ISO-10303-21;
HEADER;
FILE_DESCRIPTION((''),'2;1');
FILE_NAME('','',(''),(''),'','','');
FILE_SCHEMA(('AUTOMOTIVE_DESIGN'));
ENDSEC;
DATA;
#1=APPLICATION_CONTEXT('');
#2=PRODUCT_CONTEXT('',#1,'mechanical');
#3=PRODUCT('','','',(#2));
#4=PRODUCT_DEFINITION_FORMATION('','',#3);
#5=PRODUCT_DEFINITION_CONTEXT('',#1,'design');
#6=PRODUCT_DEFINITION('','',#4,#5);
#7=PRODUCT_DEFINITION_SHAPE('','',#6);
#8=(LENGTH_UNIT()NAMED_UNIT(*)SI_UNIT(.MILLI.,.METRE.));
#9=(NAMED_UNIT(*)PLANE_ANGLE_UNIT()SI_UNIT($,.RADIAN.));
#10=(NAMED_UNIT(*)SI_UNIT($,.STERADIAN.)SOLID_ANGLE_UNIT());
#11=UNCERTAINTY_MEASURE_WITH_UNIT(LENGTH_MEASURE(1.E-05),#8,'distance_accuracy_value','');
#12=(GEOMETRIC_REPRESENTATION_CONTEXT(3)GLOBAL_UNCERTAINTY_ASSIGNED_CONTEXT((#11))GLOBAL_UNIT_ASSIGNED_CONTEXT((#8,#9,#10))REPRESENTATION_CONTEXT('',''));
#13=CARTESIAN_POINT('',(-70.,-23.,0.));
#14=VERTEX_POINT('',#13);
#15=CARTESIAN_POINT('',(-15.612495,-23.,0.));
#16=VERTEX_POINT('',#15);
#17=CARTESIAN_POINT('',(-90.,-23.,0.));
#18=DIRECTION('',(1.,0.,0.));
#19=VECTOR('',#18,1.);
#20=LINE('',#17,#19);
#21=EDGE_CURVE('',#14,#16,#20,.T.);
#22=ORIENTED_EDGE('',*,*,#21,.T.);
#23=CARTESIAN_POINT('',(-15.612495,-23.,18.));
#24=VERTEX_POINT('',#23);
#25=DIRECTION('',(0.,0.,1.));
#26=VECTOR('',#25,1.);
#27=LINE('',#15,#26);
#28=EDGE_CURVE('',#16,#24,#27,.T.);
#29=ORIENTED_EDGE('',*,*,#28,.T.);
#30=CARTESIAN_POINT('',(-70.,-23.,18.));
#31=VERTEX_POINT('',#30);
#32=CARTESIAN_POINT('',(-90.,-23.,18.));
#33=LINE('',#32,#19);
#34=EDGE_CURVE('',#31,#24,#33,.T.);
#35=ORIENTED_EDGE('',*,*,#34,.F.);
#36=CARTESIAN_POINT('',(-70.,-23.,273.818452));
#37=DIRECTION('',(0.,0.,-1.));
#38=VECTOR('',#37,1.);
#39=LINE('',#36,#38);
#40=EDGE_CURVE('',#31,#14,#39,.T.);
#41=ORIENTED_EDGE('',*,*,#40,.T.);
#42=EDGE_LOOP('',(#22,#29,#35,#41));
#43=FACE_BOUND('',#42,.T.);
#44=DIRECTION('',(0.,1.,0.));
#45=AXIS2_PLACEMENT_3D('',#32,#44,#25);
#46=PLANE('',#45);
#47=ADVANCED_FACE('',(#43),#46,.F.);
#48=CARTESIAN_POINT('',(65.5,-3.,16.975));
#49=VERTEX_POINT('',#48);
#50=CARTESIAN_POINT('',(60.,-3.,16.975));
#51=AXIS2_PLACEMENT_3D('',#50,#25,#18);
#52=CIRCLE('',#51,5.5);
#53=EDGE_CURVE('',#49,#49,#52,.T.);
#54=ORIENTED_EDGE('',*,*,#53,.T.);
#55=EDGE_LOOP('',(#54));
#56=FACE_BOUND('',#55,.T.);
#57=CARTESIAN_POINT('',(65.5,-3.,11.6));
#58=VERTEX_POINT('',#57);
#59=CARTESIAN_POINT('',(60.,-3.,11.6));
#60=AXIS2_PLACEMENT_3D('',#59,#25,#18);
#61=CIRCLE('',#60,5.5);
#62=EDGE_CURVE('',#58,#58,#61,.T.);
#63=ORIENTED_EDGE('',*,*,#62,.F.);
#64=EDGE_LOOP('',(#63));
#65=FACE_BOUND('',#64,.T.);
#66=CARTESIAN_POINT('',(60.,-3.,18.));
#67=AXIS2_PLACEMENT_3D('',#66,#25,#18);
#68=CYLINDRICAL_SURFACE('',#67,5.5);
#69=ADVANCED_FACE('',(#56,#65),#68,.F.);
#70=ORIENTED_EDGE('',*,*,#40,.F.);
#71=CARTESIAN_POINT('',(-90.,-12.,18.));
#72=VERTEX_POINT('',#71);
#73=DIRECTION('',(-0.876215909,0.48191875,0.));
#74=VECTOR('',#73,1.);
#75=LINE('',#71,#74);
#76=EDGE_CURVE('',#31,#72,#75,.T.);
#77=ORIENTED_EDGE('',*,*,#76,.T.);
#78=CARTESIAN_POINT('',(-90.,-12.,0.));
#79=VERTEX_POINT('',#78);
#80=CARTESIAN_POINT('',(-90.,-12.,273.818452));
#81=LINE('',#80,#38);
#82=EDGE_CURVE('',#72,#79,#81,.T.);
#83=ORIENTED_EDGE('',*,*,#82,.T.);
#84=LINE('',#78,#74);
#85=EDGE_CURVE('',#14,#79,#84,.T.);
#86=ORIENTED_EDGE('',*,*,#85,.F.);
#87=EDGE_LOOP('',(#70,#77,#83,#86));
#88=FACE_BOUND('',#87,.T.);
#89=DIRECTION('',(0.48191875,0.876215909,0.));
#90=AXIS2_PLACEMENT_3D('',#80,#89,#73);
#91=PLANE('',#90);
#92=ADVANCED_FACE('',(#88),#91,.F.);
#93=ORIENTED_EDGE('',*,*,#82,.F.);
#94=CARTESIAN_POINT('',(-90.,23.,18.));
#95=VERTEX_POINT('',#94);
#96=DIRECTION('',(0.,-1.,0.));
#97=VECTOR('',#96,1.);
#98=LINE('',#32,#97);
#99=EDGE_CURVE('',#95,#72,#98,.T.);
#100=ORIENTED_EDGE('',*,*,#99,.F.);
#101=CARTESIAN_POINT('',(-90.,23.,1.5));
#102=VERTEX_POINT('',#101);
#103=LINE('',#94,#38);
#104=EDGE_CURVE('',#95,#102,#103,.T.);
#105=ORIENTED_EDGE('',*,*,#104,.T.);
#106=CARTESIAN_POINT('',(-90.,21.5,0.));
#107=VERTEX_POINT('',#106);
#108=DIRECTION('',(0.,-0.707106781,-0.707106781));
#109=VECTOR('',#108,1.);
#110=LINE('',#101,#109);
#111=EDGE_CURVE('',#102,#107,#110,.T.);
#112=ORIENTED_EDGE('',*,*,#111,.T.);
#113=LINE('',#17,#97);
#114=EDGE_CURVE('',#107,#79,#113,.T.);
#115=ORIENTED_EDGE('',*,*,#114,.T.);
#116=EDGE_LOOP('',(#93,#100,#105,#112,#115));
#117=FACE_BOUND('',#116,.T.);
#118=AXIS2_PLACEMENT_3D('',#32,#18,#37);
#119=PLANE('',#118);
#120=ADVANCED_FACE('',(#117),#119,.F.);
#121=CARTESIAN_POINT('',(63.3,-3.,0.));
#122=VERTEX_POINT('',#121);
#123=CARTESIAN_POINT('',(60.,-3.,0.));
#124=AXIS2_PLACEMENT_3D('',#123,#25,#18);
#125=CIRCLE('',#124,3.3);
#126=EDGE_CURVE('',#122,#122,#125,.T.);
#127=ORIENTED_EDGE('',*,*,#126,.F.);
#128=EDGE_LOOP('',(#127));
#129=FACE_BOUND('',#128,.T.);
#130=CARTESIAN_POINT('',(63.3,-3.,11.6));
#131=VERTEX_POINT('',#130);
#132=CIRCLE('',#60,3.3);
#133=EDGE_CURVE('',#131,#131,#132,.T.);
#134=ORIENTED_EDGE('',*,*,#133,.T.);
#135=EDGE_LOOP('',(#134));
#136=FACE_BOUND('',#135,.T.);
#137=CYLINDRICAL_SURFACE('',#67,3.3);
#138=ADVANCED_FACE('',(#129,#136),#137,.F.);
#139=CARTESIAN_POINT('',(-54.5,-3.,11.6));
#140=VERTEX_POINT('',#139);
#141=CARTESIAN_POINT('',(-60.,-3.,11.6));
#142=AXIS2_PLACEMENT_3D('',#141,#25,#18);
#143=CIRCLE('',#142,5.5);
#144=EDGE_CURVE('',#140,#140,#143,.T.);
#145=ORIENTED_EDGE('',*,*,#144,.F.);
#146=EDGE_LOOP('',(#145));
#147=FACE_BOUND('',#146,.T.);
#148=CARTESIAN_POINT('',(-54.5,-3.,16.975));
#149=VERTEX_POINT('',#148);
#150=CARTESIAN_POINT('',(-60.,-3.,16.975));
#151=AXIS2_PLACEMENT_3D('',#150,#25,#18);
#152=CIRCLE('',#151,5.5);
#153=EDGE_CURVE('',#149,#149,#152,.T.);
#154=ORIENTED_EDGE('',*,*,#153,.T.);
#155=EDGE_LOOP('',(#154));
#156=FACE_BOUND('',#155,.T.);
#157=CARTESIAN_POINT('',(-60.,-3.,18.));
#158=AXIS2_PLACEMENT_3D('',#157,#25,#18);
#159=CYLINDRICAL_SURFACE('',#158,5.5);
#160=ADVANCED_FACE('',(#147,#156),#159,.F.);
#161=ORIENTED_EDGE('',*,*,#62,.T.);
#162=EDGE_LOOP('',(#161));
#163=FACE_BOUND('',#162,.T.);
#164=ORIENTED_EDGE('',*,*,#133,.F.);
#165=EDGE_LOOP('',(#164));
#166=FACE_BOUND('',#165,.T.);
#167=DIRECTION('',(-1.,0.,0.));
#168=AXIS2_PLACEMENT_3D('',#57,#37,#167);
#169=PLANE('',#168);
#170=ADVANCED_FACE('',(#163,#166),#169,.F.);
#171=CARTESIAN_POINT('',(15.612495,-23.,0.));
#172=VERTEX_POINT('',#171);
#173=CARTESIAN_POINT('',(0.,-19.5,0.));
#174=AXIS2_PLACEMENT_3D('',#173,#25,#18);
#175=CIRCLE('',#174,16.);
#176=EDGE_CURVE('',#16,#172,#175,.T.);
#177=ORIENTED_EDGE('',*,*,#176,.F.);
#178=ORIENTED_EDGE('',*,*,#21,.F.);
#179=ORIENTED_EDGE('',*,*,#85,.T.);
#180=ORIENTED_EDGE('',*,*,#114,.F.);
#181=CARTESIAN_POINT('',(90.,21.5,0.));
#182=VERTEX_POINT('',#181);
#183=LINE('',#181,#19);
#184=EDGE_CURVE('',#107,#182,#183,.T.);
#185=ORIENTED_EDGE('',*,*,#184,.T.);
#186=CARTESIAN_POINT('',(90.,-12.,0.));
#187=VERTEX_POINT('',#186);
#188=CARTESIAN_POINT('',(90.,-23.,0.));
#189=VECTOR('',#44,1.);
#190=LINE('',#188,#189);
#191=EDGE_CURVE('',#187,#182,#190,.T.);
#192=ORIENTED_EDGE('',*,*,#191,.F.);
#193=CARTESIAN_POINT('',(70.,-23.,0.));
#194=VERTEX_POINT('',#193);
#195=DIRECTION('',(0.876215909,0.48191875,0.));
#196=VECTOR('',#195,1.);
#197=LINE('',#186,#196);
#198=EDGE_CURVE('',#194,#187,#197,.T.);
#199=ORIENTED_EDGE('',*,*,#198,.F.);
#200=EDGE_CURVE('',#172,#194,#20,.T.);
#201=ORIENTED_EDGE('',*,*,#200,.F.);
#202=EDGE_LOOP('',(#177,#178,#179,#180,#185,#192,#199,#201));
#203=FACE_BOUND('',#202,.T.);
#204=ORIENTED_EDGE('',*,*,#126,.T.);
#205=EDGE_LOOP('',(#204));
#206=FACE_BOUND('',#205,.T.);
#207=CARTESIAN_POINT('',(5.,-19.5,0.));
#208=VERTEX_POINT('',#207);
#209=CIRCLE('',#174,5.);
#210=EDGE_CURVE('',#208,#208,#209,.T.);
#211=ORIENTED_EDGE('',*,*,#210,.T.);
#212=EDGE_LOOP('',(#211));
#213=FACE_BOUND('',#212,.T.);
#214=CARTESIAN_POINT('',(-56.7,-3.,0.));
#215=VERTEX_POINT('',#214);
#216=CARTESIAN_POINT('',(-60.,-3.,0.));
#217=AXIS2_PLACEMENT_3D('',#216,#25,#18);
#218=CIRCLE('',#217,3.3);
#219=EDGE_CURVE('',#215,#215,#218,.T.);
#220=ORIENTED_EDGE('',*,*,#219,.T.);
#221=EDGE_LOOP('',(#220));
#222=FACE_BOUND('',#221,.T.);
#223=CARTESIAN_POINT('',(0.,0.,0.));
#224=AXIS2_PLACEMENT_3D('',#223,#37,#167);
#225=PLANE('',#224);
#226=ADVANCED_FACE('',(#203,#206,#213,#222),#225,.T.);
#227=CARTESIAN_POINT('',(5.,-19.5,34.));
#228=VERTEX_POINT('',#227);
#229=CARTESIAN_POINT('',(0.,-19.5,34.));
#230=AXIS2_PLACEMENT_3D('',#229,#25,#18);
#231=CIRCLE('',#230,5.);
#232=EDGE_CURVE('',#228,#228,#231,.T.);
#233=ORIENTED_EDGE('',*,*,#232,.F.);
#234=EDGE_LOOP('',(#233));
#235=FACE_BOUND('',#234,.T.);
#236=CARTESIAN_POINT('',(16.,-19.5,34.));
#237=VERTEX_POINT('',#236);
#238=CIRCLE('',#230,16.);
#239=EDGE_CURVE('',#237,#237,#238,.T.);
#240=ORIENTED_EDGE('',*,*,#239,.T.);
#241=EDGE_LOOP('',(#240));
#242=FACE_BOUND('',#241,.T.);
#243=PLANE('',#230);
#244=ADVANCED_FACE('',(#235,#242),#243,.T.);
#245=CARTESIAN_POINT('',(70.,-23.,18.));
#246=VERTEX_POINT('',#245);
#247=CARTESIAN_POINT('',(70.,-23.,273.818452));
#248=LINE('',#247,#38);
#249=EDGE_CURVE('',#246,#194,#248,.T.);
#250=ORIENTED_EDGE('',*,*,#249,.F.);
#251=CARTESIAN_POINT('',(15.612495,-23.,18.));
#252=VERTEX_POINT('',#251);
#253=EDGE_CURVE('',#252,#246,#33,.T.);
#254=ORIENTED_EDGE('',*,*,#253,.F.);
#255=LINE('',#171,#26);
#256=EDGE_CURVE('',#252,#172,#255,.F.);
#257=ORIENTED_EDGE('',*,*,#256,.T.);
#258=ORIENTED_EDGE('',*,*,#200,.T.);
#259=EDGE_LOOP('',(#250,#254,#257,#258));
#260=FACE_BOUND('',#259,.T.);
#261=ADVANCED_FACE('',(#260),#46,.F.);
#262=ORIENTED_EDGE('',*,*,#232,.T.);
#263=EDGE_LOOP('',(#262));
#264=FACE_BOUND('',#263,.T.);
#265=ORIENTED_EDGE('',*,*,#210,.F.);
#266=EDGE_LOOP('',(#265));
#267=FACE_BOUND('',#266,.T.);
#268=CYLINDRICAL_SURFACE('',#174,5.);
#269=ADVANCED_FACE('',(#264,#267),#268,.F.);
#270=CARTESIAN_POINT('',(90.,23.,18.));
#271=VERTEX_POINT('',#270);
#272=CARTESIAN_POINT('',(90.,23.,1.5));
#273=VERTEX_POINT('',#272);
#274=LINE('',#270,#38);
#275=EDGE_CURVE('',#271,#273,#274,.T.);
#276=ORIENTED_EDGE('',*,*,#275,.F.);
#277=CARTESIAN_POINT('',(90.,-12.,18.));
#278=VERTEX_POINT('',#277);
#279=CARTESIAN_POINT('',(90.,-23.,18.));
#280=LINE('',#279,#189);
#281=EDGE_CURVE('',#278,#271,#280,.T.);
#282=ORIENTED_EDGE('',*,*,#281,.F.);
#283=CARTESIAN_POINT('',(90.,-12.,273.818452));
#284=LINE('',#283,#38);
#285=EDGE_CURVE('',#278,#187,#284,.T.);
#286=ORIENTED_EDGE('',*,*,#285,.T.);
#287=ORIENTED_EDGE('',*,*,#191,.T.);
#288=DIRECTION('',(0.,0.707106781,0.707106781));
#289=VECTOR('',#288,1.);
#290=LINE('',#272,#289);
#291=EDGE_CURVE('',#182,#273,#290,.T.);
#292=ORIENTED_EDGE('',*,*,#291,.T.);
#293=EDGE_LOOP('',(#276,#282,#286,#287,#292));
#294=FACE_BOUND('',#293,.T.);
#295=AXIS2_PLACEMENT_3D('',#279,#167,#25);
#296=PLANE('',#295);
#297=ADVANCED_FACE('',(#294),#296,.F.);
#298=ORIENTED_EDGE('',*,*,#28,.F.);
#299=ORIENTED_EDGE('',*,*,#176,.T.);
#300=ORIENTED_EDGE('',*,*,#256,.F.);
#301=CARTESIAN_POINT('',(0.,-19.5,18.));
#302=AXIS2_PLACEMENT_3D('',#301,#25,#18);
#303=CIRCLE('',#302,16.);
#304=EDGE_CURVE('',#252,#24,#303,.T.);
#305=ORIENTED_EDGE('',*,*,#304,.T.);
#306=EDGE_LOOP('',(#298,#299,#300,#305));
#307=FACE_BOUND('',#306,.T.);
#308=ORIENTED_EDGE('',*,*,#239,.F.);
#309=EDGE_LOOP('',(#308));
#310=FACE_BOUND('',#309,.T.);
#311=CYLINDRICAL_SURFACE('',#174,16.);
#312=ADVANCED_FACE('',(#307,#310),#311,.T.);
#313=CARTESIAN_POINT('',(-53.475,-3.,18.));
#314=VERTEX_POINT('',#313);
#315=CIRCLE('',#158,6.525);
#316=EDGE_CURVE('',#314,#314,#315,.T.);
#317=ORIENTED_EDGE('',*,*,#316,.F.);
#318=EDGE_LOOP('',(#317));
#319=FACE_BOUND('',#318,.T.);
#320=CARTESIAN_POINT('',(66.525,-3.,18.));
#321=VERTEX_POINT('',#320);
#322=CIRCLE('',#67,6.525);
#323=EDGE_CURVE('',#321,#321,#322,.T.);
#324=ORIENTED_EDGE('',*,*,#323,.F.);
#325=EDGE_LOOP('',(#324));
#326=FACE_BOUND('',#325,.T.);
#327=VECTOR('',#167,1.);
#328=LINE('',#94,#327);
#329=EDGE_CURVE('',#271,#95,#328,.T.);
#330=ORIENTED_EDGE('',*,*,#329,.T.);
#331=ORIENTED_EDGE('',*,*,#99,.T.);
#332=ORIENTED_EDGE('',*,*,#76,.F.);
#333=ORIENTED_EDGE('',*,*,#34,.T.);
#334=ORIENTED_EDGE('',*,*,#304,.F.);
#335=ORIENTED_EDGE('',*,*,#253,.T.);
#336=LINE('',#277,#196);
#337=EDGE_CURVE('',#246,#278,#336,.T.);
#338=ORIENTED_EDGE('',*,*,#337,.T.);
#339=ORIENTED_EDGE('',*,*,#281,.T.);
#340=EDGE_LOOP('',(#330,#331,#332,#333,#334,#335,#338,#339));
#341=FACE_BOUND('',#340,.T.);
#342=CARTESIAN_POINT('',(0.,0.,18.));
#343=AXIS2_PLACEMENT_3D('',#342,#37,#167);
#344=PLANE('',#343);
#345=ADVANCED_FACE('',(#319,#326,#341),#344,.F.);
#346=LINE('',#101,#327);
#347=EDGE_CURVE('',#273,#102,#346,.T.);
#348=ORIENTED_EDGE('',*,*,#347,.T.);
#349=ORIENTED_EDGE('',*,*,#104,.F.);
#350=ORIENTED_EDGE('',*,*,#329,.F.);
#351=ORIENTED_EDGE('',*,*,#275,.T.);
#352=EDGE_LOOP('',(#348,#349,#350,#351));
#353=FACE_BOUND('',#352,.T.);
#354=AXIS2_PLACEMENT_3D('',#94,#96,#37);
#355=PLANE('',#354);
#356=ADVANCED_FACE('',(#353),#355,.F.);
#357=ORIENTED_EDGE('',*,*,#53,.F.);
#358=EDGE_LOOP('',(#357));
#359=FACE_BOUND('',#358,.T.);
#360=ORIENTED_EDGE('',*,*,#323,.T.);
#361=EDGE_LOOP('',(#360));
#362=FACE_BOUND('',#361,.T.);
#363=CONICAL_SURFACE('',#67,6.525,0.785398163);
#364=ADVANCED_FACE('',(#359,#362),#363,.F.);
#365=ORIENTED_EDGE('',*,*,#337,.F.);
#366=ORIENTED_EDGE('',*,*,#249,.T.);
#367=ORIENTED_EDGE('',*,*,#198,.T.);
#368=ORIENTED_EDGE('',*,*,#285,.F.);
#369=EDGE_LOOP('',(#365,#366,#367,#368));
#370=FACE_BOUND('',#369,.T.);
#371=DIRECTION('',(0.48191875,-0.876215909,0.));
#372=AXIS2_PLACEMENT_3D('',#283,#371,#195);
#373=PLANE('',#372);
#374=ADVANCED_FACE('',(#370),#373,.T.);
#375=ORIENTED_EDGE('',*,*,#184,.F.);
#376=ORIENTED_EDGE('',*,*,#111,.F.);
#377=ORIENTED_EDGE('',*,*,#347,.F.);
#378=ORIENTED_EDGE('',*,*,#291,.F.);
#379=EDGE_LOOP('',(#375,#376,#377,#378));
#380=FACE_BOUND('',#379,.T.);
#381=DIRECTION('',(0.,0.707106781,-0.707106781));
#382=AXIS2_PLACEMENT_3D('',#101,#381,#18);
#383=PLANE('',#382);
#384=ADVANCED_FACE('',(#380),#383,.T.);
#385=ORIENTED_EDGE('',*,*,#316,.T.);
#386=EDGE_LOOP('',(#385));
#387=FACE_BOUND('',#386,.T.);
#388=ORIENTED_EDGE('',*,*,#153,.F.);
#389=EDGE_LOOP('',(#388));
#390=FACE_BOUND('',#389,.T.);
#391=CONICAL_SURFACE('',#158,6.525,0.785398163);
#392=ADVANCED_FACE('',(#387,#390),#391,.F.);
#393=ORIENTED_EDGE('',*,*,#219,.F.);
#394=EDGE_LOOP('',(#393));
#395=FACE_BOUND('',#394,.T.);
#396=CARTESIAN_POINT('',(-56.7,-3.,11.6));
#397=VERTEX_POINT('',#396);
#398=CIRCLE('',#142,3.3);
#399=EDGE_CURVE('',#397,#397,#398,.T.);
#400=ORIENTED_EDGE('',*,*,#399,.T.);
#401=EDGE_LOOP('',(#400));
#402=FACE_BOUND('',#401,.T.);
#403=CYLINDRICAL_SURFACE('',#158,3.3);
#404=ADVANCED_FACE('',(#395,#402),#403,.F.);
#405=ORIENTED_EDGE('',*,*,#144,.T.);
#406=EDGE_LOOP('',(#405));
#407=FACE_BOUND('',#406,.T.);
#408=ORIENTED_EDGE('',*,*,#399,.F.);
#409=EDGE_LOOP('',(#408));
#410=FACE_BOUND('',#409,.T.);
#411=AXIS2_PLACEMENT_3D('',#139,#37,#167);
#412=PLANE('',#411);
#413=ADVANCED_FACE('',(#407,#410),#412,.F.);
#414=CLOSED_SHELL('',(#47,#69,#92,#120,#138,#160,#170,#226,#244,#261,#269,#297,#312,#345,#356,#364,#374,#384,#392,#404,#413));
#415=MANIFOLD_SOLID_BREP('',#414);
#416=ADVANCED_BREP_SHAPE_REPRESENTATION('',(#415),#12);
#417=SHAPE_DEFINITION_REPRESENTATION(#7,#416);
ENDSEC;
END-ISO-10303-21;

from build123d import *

# Parameters (mm, degrees)
SKETCH1_W                                    = 180
SKETCH1_H                                    = 46
BOSS_EXTRUDE1_DEPTH                          = 18
CUT_EXTRUDE1_DEPTH                           = 95.620293806
CUT_EXTRUDE1_DEPTH_BACK                      = 18
CUT_EXTRUDE2_DEPTH                           = 95.620293806
CUT_EXTRUDE2_DEPTH_BACK                      = 18
SKETCH4_R                                    = 16
BOSS_EXTRUDE2_DEPTH                          = 18
BOSS_EXTRUDE3_START                          = 16
SKETCH5_R                                    = 16
BOSS_EXTRUDE3_DEPTH                          = 16
SKETCH6_R                                    = 5
CUT_EXTRUDE3_DEPTH                           = 103.548768886
CBORE_FOR_M6_HEX_SOCKET_HEAD_CAP_SCR_2_COUNT = 2
CBORE_FOR_M6_HEX_SOCKET_HEAD_CAP_SCR_2_PITCH = 120
CHAMFER1_SIZE                                = 1.5


with BuildPart() as part:
    # Sketch1 → Boss-Extrude1 (new body)
    with BuildSketch(Plane.XY):
        Rectangle(SKETCH1_W, SKETCH1_H)
    extrude(amount=BOSS_EXTRUDE1_DEPTH)

    # Sketch2 → Cut-Extrude1 (cut, two sides: drawn at the far end of the back side and taken through both)
    with BuildSketch(Plane.XY.offset(18).offset(-CUT_EXTRUDE1_DEPTH_BACK)):
        Polygon((-420.107698739, 169.559234306), (-90, -12), (-70, -23), (260.107698739, -204.559234306), (-103.010769874, -864.774631783), (-783.226167351, -490.656163171), align=None)
    extrude(amount=CUT_EXTRUDE1_DEPTH + CUT_EXTRUDE1_DEPTH_BACK, mode=Mode.SUBTRACT)

    # Sketch3 → Cut-Extrude2 (cut, two sides: drawn at the far end of the back side and taken through both)
    with BuildSketch(Plane.XY.offset(18).offset(-CUT_EXTRUDE2_DEPTH_BACK)):
        Polygon((420.107698739, 169.559234306), (90, -12), (70, -23), (-260.107698739, -204.559234306), (103.010769874, -864.774631783), (783.226167351, -490.656163171), align=None)
    extrude(amount=CUT_EXTRUDE2_DEPTH + CUT_EXTRUDE2_DEPTH_BACK, mode=Mode.SUBTRACT)

    # Sketch4 → Boss-Extrude2 (add)
    with BuildSketch(Plane.XY.offset(18)):
        with Locations((0, -19.5)):
            Circle(SKETCH4_R)
    extrude(amount=-BOSS_EXTRUDE2_DEPTH)

    # Sketch5 → Boss-Extrude3 (add)
    with BuildSketch(Plane.XY.offset(18).offset(BOSS_EXTRUDE3_START)):
        with Locations((0, -19.5)):
            Circle(SKETCH5_R)
    extrude(amount=-BOSS_EXTRUDE3_DEPTH)

    # Sketch6 → Cut-Extrude3 (cut, through all)
    with BuildSketch(Plane.XY.offset(34)):
        with Locations((0, -19.5)):
            Circle(SKETCH6_R)
    extrude(amount=-CUT_EXTRUDE3_DEPTH, mode=Mode.SUBTRACT)

    # Sketch8 → CBORE for M6 Hex Socket Head Cap Screw1 (revolve, cut)
    with BuildSketch(Plane(origin=(-60, -3, 18), x_dir=(0, -1, 0), z_dir=(1, 0, 0))):
        Polygon((0, 0), (0, 18), (3.3, 18), (3.3, 6.4), (5.5, 6.4), (5.5, 1.025), (6.525, 0), align=None)
    cbore_for_m6_hex_socket_head_cap_screw1 = revolve(axis=Axis((-60, -3, 24.35), (0, 0, -1)), mode=Mode.SUBTRACT)

    # CBORE for M6 Hex Socket Head Cap Scr 2: CBORE for M6 Hex Socket Head Cap Screw1 ×2
    with Locations(*[(i * CBORE_FOR_M6_HEX_SOCKET_HEAD_CAP_SCR_2_PITCH, 0, 0) for i in range(1, CBORE_FOR_M6_HEX_SOCKET_HEAD_CAP_SCR_2_COUNT)]):
        add(cbore_for_m6_hex_socket_head_cap_screw1, mode=Mode.SUBTRACT)

    # Chamfer1
    chamfer1_edges = [part.edges().sort_by_distance(p)[0] for p in [
        (0, 23, 0),
    ]]
    chamfer(chamfer1_edges, length=CHAMFER1_SIZE)


solid = part.part
